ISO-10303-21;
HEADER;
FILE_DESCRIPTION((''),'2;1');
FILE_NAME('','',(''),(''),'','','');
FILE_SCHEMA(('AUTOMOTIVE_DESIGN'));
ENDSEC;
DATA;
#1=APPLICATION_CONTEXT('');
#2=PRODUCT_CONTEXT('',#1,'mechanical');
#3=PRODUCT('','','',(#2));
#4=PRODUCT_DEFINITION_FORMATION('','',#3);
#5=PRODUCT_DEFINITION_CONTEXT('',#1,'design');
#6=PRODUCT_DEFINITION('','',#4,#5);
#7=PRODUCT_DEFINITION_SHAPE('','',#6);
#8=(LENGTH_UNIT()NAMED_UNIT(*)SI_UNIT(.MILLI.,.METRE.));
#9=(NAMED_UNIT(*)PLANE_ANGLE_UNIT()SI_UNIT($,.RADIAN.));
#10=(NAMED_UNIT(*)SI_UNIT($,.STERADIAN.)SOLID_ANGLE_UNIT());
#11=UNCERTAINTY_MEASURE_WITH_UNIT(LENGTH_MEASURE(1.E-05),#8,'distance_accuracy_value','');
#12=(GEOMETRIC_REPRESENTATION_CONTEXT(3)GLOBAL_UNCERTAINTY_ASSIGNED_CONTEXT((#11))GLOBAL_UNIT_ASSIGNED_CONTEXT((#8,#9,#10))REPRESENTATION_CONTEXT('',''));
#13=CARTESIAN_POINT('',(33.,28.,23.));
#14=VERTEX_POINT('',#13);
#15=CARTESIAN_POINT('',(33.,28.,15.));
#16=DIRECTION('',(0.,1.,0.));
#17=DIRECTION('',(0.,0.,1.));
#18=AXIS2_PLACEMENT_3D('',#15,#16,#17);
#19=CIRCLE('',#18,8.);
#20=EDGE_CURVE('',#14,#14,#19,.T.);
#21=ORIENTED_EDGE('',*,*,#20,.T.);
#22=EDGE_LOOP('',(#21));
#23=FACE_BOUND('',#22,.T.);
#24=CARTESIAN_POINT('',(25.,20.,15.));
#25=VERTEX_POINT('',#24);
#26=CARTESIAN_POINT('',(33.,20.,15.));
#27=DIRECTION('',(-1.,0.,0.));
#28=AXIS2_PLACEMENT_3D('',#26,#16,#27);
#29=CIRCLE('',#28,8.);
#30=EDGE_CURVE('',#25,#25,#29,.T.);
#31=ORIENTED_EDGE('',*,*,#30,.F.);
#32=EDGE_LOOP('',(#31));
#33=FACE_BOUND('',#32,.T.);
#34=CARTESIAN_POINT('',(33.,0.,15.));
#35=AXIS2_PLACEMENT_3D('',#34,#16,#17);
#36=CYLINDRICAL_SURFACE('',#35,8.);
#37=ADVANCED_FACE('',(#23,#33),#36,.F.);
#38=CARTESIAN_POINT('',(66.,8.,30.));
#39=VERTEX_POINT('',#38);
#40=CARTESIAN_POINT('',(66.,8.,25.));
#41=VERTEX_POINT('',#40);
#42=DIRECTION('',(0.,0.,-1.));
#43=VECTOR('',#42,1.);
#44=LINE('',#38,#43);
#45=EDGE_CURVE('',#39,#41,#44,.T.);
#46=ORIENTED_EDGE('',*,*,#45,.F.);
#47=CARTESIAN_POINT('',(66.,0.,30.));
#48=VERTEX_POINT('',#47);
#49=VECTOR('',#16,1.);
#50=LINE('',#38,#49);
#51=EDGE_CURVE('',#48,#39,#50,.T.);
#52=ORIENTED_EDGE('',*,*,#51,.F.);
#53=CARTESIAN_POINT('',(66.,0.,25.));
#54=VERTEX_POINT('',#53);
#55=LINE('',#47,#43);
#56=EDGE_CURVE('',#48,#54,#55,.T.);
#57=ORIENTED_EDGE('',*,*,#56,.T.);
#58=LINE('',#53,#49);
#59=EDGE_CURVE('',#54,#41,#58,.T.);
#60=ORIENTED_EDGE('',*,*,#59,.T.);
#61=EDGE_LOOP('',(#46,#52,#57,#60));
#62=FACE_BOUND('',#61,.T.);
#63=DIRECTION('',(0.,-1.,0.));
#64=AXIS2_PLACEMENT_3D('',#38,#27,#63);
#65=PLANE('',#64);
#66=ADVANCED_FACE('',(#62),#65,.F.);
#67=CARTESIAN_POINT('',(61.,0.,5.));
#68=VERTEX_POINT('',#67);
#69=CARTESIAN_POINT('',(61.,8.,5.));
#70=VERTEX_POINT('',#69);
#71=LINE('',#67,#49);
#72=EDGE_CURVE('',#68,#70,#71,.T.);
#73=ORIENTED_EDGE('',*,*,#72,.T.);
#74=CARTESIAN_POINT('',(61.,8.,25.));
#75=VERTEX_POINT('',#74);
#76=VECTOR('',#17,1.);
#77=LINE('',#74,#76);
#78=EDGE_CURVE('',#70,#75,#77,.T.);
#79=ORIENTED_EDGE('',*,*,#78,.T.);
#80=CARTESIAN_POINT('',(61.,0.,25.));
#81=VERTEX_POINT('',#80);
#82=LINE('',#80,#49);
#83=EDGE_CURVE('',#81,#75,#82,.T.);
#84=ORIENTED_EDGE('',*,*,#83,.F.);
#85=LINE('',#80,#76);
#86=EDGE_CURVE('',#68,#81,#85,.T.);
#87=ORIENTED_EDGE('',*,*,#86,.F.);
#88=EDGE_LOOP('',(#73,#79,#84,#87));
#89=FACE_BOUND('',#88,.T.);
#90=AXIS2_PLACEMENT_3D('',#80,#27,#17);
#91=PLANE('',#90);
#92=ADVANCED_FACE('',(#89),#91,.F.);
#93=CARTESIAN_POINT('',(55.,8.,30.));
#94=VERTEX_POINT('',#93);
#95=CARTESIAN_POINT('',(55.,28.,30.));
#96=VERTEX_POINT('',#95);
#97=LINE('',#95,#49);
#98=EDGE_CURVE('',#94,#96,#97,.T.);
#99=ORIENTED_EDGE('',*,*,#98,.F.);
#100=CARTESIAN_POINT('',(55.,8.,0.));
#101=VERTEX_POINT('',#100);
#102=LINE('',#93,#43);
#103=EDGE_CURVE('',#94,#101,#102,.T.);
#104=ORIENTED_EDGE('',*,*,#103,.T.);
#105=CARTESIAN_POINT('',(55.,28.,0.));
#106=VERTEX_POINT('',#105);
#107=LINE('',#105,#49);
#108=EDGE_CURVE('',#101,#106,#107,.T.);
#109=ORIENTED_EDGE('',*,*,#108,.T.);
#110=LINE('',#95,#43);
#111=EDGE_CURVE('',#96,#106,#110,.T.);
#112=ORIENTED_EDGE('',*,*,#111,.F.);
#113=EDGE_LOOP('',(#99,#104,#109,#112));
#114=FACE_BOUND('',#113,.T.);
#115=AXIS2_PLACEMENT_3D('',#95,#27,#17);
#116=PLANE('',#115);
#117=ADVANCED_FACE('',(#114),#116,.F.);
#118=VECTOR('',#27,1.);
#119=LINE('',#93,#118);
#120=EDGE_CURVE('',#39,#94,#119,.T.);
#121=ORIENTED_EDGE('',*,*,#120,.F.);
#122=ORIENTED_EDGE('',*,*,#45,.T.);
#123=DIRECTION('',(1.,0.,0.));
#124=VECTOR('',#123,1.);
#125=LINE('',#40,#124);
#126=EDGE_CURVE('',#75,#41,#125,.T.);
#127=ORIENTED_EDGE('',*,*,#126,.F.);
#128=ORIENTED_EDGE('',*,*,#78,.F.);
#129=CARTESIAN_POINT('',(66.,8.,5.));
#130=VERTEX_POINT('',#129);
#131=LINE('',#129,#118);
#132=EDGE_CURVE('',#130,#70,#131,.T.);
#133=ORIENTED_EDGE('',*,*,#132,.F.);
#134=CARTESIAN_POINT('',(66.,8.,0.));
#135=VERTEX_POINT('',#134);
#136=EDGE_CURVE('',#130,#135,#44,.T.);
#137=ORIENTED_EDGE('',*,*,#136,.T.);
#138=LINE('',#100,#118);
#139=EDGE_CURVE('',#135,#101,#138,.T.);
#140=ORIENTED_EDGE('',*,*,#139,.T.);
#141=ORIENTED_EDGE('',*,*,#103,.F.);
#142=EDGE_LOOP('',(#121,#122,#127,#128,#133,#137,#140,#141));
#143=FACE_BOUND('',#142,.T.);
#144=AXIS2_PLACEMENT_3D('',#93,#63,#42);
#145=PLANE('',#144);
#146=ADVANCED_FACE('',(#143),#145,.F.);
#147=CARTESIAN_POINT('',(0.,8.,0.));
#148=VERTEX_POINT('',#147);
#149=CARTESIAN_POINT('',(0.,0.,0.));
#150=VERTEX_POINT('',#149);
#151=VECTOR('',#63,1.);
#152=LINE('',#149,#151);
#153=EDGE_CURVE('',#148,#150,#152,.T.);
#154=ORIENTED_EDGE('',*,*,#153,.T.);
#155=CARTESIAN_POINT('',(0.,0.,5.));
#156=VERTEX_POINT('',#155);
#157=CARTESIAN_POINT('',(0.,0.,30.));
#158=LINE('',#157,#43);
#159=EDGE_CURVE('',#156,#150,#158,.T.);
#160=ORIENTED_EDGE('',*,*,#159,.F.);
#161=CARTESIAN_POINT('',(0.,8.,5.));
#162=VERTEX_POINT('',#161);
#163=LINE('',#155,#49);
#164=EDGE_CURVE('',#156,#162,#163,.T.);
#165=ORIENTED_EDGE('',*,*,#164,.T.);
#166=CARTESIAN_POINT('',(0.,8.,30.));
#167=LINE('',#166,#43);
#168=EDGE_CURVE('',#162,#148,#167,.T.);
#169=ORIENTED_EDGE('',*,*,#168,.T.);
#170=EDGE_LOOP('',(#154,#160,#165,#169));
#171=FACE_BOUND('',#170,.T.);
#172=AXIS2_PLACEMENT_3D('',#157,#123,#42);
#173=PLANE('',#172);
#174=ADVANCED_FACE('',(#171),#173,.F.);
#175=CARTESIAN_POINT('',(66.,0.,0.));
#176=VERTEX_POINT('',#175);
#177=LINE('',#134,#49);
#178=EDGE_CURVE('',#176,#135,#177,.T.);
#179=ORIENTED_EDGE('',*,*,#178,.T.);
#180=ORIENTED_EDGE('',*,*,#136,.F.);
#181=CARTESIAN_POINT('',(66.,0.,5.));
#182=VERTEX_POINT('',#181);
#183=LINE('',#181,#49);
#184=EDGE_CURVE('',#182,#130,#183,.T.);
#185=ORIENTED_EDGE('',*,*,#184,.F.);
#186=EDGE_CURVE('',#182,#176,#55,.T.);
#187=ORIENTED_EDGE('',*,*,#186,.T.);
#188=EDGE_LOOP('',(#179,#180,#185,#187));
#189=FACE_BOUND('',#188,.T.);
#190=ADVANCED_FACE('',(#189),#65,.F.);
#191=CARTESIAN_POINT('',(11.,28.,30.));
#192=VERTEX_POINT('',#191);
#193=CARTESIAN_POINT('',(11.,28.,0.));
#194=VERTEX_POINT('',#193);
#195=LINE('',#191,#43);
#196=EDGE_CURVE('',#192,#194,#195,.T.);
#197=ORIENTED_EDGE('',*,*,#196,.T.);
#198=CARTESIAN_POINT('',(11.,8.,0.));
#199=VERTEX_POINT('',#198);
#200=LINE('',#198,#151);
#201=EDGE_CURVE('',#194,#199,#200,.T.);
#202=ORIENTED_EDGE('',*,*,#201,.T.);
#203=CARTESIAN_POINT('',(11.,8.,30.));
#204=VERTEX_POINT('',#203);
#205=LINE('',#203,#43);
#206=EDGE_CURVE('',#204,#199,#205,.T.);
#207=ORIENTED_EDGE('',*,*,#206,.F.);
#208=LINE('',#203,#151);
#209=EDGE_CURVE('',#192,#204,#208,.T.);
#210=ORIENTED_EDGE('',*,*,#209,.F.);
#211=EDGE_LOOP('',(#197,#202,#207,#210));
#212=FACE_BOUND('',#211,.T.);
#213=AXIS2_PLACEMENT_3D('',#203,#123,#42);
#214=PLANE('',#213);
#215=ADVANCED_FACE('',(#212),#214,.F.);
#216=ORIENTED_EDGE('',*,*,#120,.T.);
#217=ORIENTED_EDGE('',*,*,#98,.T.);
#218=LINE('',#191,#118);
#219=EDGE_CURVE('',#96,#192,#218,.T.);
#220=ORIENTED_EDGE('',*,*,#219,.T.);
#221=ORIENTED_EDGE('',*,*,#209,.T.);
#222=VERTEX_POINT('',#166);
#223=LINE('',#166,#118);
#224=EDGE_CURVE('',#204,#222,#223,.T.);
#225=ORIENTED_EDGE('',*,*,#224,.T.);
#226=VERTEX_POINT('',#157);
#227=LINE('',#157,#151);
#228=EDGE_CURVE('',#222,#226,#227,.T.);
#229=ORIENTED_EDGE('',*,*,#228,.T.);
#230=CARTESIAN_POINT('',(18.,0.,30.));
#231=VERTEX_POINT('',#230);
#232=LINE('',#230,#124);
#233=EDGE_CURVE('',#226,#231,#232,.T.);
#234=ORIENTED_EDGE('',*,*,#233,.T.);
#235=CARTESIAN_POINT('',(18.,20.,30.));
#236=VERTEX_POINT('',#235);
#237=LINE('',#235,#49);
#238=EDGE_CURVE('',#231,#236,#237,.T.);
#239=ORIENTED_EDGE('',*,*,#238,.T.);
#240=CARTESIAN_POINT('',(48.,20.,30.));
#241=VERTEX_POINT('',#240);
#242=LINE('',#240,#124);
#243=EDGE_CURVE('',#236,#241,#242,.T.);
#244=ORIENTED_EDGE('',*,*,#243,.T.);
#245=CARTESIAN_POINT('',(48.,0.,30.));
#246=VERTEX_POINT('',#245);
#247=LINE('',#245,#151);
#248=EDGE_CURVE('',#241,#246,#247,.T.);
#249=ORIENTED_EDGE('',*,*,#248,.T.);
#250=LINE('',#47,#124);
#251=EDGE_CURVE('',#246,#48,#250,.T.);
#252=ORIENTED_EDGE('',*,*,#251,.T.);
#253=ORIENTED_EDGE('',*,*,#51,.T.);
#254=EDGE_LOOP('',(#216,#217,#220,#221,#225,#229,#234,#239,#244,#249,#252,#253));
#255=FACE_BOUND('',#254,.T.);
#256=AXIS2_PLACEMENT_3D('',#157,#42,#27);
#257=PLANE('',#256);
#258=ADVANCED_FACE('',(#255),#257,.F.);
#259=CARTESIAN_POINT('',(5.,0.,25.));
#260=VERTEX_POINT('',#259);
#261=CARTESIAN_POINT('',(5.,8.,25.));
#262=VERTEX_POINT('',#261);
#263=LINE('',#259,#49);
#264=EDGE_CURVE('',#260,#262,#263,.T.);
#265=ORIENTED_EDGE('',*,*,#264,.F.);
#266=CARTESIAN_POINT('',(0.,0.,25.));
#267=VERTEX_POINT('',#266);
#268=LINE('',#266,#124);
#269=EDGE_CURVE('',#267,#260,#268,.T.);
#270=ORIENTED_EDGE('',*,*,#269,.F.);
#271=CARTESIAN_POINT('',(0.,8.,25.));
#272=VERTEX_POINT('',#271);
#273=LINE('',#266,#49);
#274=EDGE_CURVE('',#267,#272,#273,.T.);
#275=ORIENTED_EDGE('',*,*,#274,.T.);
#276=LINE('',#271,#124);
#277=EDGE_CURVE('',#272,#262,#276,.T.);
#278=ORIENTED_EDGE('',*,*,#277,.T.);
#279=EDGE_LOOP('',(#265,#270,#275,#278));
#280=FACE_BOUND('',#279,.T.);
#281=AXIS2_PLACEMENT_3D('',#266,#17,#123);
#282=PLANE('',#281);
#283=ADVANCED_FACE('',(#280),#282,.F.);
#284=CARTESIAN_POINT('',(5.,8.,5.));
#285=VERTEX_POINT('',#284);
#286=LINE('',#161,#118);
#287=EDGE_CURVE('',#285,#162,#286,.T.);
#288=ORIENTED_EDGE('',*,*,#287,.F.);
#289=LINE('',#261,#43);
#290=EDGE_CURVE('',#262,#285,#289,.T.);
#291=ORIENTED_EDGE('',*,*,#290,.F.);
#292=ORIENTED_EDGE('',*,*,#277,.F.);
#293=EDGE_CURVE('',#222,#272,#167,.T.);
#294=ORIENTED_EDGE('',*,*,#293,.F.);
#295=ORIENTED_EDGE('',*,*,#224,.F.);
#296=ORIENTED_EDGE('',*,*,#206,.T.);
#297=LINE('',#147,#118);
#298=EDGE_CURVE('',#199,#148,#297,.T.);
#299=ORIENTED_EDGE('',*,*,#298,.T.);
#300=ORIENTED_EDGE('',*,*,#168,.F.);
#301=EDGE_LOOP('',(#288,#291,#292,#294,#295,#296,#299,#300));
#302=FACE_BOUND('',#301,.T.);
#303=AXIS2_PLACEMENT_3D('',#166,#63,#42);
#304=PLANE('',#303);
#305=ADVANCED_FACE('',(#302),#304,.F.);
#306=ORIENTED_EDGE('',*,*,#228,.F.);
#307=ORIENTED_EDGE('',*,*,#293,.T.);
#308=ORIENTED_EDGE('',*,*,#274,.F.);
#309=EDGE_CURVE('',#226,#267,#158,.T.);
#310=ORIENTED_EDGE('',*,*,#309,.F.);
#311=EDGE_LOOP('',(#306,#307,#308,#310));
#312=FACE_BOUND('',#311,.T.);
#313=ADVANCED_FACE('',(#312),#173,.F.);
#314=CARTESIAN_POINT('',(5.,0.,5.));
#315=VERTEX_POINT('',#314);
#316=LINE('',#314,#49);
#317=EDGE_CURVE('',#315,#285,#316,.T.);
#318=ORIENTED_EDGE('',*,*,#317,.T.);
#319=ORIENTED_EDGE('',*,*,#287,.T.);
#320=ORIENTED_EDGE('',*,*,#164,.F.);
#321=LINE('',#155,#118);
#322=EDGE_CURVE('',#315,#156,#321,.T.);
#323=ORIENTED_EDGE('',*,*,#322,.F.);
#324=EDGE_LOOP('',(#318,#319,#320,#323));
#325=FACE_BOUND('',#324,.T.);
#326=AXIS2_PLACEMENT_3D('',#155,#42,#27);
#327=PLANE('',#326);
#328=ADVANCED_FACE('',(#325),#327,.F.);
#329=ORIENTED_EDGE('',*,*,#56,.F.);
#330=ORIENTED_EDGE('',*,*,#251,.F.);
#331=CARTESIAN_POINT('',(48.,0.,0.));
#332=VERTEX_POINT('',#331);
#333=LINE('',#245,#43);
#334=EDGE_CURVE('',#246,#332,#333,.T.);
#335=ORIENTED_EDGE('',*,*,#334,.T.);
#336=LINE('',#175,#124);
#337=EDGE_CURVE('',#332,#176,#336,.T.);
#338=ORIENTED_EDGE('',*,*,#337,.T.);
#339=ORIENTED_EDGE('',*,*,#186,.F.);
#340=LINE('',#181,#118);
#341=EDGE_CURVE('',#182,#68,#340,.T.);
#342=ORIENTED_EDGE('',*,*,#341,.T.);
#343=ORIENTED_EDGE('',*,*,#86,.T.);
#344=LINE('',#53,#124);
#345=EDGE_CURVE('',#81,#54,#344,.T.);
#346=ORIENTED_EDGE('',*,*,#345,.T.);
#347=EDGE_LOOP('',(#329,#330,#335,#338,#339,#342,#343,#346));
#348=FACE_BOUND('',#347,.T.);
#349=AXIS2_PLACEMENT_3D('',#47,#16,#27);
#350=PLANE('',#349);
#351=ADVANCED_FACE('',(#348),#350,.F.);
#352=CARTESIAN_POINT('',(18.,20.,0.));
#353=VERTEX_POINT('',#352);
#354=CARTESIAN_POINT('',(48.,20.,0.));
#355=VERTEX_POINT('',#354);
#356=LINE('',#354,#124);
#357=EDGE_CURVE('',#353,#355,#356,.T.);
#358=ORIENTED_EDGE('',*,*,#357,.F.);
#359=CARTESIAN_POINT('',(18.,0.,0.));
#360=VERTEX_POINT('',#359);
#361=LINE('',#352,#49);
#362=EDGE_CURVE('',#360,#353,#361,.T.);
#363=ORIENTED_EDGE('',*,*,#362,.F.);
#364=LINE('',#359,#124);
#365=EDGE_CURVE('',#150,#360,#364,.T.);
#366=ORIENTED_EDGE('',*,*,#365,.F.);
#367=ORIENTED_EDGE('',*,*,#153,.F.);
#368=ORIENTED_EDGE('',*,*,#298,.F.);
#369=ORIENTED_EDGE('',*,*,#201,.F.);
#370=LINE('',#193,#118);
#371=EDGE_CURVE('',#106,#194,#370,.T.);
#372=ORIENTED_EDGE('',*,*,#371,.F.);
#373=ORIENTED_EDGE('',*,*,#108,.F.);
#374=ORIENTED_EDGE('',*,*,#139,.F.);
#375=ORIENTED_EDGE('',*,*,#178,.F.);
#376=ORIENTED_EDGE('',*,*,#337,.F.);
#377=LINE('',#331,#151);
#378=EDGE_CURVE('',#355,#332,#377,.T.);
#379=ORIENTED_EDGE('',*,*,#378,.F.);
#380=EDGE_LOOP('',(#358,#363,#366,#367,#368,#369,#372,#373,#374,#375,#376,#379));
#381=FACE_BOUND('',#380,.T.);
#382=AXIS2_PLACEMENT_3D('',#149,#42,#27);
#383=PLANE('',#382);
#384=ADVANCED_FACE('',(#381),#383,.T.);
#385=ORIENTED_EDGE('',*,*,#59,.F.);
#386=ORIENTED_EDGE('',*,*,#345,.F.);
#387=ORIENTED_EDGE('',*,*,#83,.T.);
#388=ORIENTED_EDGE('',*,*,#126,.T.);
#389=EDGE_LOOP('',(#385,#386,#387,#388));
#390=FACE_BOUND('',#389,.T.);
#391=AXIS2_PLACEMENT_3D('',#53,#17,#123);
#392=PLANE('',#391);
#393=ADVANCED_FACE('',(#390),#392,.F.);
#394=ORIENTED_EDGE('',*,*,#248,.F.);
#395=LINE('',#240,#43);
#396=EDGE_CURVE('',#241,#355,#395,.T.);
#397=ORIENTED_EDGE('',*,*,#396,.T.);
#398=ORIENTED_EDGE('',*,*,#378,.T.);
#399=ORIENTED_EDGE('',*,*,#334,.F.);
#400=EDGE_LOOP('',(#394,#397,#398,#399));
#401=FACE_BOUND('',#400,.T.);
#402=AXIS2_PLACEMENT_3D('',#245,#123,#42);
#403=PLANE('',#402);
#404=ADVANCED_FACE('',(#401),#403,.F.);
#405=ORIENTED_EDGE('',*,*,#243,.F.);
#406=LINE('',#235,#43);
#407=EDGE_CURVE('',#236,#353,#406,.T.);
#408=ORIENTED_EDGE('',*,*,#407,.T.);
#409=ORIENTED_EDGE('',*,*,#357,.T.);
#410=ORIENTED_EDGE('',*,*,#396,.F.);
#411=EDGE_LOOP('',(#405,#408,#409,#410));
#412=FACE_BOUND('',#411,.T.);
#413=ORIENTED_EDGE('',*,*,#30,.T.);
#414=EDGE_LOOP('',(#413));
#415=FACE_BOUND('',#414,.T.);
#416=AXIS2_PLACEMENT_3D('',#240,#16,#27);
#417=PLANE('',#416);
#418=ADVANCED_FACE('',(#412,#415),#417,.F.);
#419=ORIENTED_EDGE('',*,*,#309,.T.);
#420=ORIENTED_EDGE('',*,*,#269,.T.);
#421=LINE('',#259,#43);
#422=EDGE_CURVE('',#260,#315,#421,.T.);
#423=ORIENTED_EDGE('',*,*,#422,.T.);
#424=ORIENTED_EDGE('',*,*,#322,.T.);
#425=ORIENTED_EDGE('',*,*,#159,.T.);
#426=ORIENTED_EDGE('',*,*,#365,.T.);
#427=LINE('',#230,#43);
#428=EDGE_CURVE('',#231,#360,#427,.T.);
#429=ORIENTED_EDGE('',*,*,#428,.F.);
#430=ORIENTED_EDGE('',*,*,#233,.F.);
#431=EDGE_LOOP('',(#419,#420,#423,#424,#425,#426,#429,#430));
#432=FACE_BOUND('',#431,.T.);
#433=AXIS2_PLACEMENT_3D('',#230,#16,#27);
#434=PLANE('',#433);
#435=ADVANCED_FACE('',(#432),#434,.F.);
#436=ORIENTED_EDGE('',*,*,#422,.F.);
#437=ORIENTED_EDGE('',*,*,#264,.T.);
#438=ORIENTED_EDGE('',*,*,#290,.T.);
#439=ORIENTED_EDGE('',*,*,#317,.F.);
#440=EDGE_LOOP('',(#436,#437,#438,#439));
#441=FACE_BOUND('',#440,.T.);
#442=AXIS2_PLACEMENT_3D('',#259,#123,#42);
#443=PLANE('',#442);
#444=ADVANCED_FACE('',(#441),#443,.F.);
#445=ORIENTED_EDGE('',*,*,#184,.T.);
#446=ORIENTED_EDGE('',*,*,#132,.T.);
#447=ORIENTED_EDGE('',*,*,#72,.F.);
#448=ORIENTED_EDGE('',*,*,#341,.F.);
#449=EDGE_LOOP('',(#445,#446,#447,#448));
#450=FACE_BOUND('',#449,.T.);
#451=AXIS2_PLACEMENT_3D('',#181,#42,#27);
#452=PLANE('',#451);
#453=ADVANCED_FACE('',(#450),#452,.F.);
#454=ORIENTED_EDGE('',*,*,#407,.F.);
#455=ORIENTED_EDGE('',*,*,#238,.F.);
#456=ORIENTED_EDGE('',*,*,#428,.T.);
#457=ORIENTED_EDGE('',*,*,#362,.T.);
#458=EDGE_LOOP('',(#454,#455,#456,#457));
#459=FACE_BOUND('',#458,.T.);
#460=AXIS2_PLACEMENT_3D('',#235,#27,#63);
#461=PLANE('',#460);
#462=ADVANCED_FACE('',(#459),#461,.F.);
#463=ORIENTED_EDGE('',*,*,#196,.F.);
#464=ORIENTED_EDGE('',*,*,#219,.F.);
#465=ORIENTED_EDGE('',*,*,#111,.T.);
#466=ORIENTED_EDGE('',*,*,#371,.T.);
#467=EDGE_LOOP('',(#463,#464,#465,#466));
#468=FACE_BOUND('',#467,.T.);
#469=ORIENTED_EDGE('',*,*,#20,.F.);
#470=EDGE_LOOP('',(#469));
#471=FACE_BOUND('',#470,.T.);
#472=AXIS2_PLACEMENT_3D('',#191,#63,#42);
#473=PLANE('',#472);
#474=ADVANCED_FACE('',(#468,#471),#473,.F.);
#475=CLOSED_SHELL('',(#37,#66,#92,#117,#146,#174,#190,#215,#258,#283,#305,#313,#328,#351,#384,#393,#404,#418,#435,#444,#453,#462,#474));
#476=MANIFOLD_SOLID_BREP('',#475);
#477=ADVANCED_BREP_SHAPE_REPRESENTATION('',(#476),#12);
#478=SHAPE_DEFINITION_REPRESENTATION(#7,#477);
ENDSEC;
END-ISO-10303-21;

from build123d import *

# Parameters (mm, degrees)
EXTRUDE_1_DEPTH     = 30
SKETCH_3_W          = 5
SKETCH_3_H          = 20
CUT_EXTRUDE_1_DEPTH = 76.206382708
SKETCH_4_R          = 8
CUT_EXTRUDE_2_DEPTH = 78.717436911


with BuildPart() as part:
    # Эскиз1 → Бобышка-Вытянуть1 (new body)
    with BuildSketch(Plane.XY):
        Polygon((0, 0), (0, 8), (11, 8), (11, 28), (55, 28), (55, 8), (66, 8), (66, 0), (48, 0), (48, 20), (18, 20), (18, 0), align=None)
    extrude(amount=EXTRUDE_1_DEPTH)

    # Эскиз3 → Вырез-Вытянуть1 (cut, through all)
    with BuildSketch(Plane(origin=(0, 8, 0), x_dir=(1, 0, 0), z_dir=(0, 1, 0))):
        with Locations((2.5, -15)):
            Rectangle(SKETCH_3_W, SKETCH_3_H)
        with Locations((63.5, -15)):
            Rectangle(SKETCH_3_W, SKETCH_3_H)
    extrude(amount=-CUT_EXTRUDE_1_DEPTH, mode=Mode.SUBTRACT)

    # Эскиз4 → Вырез-Вытянуть2 (cut, through all)
    with BuildSketch(Plane(origin=(0, 28, 0), x_dir=(1, 0, 0), z_dir=(0, 1, 0))):
        with Locations(Location((33, -15, 0), (0, 0, 270))):
            Circle(SKETCH_4_R)
    extrude(amount=-CUT_EXTRUDE_2_DEPTH, mode=Mode.SUBTRACT)


solid = part.part
